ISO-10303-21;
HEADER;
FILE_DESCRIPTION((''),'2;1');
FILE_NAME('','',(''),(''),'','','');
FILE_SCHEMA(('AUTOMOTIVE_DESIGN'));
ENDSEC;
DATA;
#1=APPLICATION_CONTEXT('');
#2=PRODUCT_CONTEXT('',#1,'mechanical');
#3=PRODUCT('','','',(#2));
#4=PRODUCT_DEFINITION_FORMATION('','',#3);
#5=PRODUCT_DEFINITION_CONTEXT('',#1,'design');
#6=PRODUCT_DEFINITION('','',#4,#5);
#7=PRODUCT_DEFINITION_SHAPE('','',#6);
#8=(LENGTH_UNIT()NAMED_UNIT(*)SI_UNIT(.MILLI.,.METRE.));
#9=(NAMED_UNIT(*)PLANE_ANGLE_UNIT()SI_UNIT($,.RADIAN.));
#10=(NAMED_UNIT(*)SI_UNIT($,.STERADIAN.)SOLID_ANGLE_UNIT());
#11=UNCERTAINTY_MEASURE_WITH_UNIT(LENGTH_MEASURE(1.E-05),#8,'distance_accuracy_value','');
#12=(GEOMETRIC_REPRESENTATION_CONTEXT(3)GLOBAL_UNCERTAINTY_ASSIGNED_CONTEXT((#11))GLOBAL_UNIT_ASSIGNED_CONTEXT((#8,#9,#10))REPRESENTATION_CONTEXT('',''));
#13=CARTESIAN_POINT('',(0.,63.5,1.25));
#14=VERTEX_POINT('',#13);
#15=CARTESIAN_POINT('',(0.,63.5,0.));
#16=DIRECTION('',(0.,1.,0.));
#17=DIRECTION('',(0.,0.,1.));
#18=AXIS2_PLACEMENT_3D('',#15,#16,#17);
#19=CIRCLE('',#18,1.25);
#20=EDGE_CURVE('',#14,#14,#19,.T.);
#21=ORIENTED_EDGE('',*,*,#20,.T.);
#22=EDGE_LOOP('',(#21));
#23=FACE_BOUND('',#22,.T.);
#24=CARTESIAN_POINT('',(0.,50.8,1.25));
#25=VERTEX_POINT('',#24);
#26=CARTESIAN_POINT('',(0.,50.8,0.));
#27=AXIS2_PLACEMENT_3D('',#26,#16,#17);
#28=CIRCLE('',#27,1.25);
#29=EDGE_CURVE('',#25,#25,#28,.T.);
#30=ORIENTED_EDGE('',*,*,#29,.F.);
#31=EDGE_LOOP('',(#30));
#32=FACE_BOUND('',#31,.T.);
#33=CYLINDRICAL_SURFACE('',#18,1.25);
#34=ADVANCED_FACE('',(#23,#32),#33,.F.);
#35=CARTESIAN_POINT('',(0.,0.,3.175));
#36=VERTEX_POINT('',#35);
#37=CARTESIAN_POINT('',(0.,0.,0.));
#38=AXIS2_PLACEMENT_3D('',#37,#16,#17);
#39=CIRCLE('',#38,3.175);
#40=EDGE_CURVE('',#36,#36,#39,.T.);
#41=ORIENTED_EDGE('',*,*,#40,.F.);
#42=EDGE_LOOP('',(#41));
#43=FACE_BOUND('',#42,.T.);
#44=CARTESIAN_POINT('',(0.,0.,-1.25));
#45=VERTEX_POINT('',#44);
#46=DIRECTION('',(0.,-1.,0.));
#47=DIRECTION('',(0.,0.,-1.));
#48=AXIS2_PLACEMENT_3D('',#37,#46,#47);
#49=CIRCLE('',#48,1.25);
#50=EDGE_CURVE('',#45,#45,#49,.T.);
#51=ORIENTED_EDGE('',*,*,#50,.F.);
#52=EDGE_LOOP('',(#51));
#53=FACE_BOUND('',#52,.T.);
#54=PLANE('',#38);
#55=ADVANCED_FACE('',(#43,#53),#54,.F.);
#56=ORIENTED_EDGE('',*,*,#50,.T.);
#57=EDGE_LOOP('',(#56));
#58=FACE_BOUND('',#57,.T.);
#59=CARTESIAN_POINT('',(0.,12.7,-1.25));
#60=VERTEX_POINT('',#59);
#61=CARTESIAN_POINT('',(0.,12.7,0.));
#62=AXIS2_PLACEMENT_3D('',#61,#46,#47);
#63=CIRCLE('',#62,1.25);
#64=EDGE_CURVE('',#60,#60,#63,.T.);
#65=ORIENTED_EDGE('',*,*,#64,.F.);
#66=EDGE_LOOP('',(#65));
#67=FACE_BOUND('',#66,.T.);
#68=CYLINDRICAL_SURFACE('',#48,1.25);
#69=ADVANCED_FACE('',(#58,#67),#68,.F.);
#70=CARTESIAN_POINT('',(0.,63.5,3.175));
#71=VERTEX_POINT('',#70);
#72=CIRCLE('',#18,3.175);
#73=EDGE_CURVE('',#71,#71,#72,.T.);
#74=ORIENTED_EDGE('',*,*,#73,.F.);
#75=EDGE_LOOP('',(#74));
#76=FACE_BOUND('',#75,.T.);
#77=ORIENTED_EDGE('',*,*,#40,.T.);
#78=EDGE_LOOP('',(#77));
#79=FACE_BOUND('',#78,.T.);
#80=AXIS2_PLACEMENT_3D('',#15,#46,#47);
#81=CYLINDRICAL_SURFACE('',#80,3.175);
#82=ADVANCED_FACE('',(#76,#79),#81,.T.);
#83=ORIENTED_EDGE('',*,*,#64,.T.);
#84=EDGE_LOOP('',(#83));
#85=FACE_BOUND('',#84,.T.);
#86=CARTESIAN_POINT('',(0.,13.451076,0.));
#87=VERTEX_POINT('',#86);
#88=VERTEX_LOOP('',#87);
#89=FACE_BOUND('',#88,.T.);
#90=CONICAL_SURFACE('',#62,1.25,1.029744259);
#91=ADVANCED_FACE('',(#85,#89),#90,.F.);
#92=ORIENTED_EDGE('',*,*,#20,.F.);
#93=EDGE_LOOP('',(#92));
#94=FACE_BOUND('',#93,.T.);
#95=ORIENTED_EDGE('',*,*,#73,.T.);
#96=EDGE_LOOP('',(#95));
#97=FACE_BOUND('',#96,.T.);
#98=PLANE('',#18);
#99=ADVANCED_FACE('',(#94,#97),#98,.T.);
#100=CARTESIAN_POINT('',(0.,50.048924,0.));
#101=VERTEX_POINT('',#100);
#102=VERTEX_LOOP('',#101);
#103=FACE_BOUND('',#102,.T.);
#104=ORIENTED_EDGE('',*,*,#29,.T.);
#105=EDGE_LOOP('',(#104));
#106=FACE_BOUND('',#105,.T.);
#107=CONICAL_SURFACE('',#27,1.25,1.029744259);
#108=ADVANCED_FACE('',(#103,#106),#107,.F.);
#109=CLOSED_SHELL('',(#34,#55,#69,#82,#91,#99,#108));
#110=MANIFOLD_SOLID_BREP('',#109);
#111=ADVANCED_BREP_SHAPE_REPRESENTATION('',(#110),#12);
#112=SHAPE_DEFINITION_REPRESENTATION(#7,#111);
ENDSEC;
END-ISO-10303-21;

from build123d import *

# Parameters (mm, degrees)
SKETCH1_R                 = 3.175
BOSS_EXTRUDE1_DEPTH       = 63.5
M3X0_5_TAPPED_HOLE1_D     = 2.5
M3X0_5_TAPPED_HOLE1_DEPTH = 12.7
M3X0_5_TAPPED_HOLE1_TIP   = 0.751075774
M3X0_5_TAPPED_HOLE2_D     = 2.5
M3X0_5_TAPPED_HOLE2_DEPTH = 12.7
M3X0_5_TAPPED_HOLE2_TIP   = 0.751075774


with BuildPart() as part:
    # Sketch1 → Boss-Extrude1 (new body)
    with BuildSketch(Plane(origin=(0, 0, 0), x_dir=(1, 0, 0), z_dir=(0, 1, 0))):
        Circle(SKETCH1_R)
    extrude(amount=BOSS_EXTRUDE1_DEPTH)

    # M3x0.5 Tapped Hole1
    with Locations(Plane(origin=(0, 63.5, 0), x_dir=(1, 0, 0), z_dir=(0, 1, 0))):
        with Locations((0, 0)):
            Hole(M3X0_5_TAPPED_HOLE1_D / 2, depth=M3X0_5_TAPPED_HOLE1_DEPTH)
            with Locations((0, 0, -(M3X0_5_TAPPED_HOLE1_DEPTH + M3X0_5_TAPPED_HOLE1_TIP / 2))):  # 118° drill point
                Cone(0, M3X0_5_TAPPED_HOLE1_D / 2, M3X0_5_TAPPED_HOLE1_TIP, mode=Mode.SUBTRACT)

    # M3x0.5 Tapped Hole2
    with Locations(Plane(origin=(0, 0, 0), x_dir=(-1, 0, 0), z_dir=(0, -1, 0))):
        with Locations((0, 0)):
            Hole(M3X0_5_TAPPED_HOLE2_D / 2, depth=M3X0_5_TAPPED_HOLE2_DEPTH)
            with Locations((0, 0, -(M3X0_5_TAPPED_HOLE2_DEPTH + M3X0_5_TAPPED_HOLE2_TIP / 2))):  # 118° drill point
                Cone(0, M3X0_5_TAPPED_HOLE2_D / 2, M3X0_5_TAPPED_HOLE2_TIP, mode=Mode.SUBTRACT)


solid = part.part
